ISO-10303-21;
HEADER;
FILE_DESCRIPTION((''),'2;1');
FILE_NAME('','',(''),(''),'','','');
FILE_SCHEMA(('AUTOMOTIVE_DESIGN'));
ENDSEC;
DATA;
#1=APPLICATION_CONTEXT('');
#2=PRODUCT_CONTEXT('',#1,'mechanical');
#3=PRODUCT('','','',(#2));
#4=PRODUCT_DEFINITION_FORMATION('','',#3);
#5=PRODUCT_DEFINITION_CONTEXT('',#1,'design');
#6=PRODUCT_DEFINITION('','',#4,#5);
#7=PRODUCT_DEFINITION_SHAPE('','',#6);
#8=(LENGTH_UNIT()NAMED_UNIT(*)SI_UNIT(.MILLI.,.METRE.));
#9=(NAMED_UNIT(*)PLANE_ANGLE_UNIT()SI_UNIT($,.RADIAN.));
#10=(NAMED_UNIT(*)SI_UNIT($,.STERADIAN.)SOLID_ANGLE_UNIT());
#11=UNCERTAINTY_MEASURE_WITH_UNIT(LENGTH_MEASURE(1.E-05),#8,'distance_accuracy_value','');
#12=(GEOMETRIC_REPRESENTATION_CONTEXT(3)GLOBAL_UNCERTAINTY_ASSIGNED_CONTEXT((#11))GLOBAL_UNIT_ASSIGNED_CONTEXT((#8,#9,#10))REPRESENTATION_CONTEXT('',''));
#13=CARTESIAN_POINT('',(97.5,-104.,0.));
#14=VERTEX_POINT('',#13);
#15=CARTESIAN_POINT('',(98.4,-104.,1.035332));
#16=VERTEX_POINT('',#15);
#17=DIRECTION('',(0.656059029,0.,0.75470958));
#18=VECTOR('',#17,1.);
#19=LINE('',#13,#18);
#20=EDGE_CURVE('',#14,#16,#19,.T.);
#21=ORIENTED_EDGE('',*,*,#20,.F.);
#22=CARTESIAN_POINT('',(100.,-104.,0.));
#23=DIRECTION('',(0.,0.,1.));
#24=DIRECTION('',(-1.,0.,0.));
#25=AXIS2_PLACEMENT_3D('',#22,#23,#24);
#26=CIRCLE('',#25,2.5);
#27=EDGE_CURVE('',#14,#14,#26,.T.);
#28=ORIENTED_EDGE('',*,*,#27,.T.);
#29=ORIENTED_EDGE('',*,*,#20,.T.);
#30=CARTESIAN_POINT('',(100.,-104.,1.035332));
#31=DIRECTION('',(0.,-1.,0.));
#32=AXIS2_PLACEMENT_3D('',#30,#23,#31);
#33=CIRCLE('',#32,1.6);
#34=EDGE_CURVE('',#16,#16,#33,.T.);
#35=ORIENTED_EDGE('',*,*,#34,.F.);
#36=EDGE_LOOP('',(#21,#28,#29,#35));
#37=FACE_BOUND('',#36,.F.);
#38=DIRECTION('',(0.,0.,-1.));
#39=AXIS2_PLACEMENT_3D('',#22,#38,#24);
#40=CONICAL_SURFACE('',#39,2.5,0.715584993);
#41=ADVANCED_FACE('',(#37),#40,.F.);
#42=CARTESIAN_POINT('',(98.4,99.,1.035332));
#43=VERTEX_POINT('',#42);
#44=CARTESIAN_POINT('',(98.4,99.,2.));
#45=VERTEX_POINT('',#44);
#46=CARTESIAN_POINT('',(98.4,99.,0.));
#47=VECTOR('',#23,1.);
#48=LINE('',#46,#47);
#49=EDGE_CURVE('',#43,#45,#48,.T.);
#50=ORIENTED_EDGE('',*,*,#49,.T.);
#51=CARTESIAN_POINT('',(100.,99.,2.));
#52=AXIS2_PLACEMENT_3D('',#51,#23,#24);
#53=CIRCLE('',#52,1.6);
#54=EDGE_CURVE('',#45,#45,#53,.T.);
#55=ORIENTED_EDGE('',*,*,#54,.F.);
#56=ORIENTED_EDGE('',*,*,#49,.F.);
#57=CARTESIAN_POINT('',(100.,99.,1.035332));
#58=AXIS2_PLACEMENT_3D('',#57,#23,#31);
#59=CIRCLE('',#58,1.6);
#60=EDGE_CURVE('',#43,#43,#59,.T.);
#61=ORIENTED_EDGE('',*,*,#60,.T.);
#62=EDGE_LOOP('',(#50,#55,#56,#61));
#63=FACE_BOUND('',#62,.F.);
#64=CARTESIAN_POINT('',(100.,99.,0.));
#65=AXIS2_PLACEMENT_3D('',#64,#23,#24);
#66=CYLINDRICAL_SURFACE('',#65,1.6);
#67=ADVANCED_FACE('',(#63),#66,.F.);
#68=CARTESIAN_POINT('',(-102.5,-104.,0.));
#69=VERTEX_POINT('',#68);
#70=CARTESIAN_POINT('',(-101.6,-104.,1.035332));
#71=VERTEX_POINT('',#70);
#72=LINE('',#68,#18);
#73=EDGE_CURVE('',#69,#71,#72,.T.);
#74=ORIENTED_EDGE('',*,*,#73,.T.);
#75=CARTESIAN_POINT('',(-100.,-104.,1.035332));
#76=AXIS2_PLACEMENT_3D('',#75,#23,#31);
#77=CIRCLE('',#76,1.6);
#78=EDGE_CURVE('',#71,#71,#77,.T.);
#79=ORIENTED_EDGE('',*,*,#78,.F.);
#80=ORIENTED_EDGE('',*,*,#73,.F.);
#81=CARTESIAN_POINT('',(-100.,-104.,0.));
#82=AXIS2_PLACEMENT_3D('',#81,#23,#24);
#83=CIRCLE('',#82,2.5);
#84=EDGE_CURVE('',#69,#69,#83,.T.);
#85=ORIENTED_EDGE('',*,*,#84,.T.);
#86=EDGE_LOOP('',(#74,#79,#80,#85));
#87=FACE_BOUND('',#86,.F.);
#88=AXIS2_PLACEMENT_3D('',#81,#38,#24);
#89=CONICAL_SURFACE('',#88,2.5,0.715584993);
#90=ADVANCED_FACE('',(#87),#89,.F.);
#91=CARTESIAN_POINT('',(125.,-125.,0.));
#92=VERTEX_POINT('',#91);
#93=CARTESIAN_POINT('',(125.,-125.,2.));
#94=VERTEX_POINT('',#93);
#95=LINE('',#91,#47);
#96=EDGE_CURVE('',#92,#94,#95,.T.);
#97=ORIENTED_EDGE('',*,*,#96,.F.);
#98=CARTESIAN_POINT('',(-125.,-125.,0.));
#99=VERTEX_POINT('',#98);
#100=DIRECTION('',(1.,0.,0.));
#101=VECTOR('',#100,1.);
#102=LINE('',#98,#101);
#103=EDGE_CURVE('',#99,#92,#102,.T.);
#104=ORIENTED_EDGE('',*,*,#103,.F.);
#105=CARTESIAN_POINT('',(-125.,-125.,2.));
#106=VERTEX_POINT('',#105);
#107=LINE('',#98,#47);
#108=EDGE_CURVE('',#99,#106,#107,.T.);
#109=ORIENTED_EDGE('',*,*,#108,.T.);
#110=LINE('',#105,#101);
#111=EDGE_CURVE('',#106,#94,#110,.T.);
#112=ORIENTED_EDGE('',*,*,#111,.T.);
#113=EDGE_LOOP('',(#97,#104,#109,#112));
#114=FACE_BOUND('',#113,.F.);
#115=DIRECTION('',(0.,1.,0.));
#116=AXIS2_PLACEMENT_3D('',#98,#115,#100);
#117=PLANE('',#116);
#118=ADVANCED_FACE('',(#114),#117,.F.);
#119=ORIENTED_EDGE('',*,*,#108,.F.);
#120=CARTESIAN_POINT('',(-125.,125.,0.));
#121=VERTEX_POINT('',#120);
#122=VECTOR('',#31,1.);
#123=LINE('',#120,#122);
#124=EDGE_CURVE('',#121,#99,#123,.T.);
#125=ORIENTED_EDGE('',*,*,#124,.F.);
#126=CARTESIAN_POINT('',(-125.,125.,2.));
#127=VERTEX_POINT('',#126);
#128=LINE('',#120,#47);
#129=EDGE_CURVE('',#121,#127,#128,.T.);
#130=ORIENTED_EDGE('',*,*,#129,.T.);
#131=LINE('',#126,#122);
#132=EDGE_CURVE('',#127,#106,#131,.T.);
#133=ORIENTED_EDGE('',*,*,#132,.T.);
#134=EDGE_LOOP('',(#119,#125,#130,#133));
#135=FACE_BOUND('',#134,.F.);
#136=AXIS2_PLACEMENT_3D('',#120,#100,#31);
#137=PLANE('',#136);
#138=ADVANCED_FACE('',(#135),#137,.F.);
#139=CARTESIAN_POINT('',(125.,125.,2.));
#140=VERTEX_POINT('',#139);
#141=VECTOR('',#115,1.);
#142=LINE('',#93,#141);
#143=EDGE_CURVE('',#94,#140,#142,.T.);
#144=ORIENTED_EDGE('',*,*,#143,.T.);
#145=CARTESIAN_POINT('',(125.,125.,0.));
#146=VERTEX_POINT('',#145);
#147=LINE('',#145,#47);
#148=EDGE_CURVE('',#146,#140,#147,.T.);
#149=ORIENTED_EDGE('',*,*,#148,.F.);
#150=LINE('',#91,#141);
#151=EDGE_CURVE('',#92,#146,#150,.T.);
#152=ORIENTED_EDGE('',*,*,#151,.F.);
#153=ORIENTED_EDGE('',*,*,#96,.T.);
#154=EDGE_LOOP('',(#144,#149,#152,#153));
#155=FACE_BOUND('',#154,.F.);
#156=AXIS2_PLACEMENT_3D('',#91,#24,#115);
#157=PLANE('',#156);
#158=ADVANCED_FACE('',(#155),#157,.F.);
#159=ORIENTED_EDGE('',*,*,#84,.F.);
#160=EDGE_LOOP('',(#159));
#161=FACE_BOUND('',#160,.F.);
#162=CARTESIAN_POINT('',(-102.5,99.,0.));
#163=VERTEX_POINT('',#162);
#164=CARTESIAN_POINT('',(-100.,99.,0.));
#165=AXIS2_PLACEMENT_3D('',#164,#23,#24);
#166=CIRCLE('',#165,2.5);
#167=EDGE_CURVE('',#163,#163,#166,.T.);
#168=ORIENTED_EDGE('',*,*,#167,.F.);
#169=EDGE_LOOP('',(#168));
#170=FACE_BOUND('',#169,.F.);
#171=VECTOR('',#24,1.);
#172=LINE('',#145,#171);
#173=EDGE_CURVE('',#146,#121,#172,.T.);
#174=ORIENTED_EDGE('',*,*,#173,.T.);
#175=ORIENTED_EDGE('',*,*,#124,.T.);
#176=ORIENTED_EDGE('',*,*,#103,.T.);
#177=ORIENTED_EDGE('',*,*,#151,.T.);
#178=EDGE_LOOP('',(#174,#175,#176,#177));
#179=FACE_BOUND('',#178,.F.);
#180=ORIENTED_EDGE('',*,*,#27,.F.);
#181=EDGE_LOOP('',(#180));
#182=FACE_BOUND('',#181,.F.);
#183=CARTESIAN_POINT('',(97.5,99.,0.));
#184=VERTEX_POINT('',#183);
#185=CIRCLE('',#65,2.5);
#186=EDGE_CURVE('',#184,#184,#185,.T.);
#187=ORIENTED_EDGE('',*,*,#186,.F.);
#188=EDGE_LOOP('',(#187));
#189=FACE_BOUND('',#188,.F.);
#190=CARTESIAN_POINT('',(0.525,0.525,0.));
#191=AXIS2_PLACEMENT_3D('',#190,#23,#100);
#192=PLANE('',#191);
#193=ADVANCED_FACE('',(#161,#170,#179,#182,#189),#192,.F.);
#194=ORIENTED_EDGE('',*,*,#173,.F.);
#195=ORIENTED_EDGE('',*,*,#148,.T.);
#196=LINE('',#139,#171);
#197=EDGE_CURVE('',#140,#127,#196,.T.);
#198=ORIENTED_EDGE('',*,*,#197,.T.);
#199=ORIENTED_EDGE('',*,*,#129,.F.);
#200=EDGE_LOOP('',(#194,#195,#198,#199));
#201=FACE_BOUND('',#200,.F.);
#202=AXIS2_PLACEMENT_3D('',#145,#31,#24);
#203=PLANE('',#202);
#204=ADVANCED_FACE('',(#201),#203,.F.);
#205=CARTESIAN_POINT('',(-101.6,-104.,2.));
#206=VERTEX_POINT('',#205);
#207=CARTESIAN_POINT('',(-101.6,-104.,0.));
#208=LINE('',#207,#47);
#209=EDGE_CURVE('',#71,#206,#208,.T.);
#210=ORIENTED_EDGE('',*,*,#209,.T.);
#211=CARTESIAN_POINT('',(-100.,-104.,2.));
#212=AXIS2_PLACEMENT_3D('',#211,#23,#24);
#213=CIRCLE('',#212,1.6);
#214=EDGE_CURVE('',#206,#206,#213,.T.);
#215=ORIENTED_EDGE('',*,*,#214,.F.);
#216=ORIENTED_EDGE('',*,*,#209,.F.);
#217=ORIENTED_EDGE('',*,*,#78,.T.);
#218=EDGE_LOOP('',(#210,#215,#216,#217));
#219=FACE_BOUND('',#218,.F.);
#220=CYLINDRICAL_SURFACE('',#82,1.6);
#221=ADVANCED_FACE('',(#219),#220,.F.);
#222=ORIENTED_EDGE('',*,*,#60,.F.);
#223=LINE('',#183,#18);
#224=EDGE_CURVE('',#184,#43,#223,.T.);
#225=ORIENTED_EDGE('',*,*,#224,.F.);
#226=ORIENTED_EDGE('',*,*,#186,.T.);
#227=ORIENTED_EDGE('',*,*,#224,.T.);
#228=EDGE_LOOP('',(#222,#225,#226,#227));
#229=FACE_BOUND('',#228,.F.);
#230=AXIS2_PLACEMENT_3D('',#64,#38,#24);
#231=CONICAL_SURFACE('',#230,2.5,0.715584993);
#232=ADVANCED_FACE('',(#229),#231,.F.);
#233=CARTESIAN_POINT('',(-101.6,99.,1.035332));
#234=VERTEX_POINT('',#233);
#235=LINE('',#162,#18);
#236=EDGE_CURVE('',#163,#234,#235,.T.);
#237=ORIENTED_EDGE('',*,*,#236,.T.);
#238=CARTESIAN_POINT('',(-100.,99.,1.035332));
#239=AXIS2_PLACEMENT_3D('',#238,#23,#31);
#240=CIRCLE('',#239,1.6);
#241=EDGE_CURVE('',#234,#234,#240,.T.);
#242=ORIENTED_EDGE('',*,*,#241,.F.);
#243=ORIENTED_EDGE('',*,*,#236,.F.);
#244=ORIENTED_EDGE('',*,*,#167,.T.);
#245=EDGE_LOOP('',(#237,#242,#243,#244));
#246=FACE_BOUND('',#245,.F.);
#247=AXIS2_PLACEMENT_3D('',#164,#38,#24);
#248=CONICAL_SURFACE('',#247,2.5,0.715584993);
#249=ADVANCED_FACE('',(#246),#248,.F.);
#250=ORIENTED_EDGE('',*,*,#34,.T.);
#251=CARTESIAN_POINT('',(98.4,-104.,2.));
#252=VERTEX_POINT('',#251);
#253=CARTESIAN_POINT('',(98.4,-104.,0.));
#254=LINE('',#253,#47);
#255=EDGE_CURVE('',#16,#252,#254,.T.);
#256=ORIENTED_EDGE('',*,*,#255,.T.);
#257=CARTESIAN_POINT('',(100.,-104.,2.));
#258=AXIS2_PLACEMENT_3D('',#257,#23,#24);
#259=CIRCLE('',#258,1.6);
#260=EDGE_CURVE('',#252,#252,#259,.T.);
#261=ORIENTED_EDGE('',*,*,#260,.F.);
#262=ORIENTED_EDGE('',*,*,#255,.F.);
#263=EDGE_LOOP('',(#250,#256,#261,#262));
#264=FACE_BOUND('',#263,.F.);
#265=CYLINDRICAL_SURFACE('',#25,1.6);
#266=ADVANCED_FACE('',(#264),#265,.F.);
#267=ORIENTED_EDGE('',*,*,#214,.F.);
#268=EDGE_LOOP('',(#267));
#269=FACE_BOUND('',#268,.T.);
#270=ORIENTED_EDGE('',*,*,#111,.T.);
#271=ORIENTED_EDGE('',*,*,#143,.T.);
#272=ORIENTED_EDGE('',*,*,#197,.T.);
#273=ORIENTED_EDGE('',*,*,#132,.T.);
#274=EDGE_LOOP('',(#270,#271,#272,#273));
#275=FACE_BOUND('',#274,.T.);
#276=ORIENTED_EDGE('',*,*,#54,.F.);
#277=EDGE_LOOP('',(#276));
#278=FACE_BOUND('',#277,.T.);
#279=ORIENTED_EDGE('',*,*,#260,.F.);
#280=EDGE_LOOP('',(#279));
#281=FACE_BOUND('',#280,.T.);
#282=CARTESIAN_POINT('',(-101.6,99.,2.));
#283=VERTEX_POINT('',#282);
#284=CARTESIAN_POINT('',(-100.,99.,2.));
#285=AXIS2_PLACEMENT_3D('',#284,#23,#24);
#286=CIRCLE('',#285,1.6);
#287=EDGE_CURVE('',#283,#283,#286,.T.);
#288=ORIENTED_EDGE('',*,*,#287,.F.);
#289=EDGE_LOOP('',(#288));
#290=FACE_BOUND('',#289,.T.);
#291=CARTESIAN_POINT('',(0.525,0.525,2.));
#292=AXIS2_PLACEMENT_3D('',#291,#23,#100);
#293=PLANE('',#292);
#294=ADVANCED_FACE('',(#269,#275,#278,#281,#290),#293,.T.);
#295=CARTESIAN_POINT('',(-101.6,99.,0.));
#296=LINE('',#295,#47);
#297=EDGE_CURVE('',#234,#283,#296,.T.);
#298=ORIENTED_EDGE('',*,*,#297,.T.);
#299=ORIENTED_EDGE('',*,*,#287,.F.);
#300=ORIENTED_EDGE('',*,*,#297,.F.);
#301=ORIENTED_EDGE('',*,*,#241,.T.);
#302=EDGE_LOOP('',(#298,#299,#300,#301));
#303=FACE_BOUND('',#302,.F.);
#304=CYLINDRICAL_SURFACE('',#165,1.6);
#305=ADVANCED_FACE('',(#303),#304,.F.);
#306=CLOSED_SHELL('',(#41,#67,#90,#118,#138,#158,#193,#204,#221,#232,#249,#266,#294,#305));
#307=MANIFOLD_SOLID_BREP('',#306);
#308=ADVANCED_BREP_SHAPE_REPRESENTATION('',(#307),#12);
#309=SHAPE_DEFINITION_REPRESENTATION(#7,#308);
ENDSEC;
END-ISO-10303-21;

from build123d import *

# Parameters (mm, degrees)
F0_W           = 25
F0_H           = 21
F1_DEPTH       = 2
F2_D           = 3.2
F2_CSINK_D     = 5
F2_CSINK_ANGLE = 82


with BuildPart() as f1:
    # F0 (on Top) → F1 (new body)
    with BuildSketch(Plane.XY):
        Polygon((-100, -125), (125, -125), (125, 125), (-125, 125), (-125, -104), (-100, -104), align=None)
        with Locations((-112.5, -114.5)):
            Rectangle(F0_W, F0_H)
    extrude(amount=F1_DEPTH)

    # F2 (through all)
    with Locations(Plane(origin=(0, 0, 0), x_dir=(1, 0, 0), z_dir=(0, 0, -1))):
        with Locations((-100, -99), (100, -99), (100, 104), (-100, 104)):
            CounterSinkHole(F2_D / 2, F2_CSINK_D / 2, counter_sink_angle=F2_CSINK_ANGLE)


solid = f1.part
